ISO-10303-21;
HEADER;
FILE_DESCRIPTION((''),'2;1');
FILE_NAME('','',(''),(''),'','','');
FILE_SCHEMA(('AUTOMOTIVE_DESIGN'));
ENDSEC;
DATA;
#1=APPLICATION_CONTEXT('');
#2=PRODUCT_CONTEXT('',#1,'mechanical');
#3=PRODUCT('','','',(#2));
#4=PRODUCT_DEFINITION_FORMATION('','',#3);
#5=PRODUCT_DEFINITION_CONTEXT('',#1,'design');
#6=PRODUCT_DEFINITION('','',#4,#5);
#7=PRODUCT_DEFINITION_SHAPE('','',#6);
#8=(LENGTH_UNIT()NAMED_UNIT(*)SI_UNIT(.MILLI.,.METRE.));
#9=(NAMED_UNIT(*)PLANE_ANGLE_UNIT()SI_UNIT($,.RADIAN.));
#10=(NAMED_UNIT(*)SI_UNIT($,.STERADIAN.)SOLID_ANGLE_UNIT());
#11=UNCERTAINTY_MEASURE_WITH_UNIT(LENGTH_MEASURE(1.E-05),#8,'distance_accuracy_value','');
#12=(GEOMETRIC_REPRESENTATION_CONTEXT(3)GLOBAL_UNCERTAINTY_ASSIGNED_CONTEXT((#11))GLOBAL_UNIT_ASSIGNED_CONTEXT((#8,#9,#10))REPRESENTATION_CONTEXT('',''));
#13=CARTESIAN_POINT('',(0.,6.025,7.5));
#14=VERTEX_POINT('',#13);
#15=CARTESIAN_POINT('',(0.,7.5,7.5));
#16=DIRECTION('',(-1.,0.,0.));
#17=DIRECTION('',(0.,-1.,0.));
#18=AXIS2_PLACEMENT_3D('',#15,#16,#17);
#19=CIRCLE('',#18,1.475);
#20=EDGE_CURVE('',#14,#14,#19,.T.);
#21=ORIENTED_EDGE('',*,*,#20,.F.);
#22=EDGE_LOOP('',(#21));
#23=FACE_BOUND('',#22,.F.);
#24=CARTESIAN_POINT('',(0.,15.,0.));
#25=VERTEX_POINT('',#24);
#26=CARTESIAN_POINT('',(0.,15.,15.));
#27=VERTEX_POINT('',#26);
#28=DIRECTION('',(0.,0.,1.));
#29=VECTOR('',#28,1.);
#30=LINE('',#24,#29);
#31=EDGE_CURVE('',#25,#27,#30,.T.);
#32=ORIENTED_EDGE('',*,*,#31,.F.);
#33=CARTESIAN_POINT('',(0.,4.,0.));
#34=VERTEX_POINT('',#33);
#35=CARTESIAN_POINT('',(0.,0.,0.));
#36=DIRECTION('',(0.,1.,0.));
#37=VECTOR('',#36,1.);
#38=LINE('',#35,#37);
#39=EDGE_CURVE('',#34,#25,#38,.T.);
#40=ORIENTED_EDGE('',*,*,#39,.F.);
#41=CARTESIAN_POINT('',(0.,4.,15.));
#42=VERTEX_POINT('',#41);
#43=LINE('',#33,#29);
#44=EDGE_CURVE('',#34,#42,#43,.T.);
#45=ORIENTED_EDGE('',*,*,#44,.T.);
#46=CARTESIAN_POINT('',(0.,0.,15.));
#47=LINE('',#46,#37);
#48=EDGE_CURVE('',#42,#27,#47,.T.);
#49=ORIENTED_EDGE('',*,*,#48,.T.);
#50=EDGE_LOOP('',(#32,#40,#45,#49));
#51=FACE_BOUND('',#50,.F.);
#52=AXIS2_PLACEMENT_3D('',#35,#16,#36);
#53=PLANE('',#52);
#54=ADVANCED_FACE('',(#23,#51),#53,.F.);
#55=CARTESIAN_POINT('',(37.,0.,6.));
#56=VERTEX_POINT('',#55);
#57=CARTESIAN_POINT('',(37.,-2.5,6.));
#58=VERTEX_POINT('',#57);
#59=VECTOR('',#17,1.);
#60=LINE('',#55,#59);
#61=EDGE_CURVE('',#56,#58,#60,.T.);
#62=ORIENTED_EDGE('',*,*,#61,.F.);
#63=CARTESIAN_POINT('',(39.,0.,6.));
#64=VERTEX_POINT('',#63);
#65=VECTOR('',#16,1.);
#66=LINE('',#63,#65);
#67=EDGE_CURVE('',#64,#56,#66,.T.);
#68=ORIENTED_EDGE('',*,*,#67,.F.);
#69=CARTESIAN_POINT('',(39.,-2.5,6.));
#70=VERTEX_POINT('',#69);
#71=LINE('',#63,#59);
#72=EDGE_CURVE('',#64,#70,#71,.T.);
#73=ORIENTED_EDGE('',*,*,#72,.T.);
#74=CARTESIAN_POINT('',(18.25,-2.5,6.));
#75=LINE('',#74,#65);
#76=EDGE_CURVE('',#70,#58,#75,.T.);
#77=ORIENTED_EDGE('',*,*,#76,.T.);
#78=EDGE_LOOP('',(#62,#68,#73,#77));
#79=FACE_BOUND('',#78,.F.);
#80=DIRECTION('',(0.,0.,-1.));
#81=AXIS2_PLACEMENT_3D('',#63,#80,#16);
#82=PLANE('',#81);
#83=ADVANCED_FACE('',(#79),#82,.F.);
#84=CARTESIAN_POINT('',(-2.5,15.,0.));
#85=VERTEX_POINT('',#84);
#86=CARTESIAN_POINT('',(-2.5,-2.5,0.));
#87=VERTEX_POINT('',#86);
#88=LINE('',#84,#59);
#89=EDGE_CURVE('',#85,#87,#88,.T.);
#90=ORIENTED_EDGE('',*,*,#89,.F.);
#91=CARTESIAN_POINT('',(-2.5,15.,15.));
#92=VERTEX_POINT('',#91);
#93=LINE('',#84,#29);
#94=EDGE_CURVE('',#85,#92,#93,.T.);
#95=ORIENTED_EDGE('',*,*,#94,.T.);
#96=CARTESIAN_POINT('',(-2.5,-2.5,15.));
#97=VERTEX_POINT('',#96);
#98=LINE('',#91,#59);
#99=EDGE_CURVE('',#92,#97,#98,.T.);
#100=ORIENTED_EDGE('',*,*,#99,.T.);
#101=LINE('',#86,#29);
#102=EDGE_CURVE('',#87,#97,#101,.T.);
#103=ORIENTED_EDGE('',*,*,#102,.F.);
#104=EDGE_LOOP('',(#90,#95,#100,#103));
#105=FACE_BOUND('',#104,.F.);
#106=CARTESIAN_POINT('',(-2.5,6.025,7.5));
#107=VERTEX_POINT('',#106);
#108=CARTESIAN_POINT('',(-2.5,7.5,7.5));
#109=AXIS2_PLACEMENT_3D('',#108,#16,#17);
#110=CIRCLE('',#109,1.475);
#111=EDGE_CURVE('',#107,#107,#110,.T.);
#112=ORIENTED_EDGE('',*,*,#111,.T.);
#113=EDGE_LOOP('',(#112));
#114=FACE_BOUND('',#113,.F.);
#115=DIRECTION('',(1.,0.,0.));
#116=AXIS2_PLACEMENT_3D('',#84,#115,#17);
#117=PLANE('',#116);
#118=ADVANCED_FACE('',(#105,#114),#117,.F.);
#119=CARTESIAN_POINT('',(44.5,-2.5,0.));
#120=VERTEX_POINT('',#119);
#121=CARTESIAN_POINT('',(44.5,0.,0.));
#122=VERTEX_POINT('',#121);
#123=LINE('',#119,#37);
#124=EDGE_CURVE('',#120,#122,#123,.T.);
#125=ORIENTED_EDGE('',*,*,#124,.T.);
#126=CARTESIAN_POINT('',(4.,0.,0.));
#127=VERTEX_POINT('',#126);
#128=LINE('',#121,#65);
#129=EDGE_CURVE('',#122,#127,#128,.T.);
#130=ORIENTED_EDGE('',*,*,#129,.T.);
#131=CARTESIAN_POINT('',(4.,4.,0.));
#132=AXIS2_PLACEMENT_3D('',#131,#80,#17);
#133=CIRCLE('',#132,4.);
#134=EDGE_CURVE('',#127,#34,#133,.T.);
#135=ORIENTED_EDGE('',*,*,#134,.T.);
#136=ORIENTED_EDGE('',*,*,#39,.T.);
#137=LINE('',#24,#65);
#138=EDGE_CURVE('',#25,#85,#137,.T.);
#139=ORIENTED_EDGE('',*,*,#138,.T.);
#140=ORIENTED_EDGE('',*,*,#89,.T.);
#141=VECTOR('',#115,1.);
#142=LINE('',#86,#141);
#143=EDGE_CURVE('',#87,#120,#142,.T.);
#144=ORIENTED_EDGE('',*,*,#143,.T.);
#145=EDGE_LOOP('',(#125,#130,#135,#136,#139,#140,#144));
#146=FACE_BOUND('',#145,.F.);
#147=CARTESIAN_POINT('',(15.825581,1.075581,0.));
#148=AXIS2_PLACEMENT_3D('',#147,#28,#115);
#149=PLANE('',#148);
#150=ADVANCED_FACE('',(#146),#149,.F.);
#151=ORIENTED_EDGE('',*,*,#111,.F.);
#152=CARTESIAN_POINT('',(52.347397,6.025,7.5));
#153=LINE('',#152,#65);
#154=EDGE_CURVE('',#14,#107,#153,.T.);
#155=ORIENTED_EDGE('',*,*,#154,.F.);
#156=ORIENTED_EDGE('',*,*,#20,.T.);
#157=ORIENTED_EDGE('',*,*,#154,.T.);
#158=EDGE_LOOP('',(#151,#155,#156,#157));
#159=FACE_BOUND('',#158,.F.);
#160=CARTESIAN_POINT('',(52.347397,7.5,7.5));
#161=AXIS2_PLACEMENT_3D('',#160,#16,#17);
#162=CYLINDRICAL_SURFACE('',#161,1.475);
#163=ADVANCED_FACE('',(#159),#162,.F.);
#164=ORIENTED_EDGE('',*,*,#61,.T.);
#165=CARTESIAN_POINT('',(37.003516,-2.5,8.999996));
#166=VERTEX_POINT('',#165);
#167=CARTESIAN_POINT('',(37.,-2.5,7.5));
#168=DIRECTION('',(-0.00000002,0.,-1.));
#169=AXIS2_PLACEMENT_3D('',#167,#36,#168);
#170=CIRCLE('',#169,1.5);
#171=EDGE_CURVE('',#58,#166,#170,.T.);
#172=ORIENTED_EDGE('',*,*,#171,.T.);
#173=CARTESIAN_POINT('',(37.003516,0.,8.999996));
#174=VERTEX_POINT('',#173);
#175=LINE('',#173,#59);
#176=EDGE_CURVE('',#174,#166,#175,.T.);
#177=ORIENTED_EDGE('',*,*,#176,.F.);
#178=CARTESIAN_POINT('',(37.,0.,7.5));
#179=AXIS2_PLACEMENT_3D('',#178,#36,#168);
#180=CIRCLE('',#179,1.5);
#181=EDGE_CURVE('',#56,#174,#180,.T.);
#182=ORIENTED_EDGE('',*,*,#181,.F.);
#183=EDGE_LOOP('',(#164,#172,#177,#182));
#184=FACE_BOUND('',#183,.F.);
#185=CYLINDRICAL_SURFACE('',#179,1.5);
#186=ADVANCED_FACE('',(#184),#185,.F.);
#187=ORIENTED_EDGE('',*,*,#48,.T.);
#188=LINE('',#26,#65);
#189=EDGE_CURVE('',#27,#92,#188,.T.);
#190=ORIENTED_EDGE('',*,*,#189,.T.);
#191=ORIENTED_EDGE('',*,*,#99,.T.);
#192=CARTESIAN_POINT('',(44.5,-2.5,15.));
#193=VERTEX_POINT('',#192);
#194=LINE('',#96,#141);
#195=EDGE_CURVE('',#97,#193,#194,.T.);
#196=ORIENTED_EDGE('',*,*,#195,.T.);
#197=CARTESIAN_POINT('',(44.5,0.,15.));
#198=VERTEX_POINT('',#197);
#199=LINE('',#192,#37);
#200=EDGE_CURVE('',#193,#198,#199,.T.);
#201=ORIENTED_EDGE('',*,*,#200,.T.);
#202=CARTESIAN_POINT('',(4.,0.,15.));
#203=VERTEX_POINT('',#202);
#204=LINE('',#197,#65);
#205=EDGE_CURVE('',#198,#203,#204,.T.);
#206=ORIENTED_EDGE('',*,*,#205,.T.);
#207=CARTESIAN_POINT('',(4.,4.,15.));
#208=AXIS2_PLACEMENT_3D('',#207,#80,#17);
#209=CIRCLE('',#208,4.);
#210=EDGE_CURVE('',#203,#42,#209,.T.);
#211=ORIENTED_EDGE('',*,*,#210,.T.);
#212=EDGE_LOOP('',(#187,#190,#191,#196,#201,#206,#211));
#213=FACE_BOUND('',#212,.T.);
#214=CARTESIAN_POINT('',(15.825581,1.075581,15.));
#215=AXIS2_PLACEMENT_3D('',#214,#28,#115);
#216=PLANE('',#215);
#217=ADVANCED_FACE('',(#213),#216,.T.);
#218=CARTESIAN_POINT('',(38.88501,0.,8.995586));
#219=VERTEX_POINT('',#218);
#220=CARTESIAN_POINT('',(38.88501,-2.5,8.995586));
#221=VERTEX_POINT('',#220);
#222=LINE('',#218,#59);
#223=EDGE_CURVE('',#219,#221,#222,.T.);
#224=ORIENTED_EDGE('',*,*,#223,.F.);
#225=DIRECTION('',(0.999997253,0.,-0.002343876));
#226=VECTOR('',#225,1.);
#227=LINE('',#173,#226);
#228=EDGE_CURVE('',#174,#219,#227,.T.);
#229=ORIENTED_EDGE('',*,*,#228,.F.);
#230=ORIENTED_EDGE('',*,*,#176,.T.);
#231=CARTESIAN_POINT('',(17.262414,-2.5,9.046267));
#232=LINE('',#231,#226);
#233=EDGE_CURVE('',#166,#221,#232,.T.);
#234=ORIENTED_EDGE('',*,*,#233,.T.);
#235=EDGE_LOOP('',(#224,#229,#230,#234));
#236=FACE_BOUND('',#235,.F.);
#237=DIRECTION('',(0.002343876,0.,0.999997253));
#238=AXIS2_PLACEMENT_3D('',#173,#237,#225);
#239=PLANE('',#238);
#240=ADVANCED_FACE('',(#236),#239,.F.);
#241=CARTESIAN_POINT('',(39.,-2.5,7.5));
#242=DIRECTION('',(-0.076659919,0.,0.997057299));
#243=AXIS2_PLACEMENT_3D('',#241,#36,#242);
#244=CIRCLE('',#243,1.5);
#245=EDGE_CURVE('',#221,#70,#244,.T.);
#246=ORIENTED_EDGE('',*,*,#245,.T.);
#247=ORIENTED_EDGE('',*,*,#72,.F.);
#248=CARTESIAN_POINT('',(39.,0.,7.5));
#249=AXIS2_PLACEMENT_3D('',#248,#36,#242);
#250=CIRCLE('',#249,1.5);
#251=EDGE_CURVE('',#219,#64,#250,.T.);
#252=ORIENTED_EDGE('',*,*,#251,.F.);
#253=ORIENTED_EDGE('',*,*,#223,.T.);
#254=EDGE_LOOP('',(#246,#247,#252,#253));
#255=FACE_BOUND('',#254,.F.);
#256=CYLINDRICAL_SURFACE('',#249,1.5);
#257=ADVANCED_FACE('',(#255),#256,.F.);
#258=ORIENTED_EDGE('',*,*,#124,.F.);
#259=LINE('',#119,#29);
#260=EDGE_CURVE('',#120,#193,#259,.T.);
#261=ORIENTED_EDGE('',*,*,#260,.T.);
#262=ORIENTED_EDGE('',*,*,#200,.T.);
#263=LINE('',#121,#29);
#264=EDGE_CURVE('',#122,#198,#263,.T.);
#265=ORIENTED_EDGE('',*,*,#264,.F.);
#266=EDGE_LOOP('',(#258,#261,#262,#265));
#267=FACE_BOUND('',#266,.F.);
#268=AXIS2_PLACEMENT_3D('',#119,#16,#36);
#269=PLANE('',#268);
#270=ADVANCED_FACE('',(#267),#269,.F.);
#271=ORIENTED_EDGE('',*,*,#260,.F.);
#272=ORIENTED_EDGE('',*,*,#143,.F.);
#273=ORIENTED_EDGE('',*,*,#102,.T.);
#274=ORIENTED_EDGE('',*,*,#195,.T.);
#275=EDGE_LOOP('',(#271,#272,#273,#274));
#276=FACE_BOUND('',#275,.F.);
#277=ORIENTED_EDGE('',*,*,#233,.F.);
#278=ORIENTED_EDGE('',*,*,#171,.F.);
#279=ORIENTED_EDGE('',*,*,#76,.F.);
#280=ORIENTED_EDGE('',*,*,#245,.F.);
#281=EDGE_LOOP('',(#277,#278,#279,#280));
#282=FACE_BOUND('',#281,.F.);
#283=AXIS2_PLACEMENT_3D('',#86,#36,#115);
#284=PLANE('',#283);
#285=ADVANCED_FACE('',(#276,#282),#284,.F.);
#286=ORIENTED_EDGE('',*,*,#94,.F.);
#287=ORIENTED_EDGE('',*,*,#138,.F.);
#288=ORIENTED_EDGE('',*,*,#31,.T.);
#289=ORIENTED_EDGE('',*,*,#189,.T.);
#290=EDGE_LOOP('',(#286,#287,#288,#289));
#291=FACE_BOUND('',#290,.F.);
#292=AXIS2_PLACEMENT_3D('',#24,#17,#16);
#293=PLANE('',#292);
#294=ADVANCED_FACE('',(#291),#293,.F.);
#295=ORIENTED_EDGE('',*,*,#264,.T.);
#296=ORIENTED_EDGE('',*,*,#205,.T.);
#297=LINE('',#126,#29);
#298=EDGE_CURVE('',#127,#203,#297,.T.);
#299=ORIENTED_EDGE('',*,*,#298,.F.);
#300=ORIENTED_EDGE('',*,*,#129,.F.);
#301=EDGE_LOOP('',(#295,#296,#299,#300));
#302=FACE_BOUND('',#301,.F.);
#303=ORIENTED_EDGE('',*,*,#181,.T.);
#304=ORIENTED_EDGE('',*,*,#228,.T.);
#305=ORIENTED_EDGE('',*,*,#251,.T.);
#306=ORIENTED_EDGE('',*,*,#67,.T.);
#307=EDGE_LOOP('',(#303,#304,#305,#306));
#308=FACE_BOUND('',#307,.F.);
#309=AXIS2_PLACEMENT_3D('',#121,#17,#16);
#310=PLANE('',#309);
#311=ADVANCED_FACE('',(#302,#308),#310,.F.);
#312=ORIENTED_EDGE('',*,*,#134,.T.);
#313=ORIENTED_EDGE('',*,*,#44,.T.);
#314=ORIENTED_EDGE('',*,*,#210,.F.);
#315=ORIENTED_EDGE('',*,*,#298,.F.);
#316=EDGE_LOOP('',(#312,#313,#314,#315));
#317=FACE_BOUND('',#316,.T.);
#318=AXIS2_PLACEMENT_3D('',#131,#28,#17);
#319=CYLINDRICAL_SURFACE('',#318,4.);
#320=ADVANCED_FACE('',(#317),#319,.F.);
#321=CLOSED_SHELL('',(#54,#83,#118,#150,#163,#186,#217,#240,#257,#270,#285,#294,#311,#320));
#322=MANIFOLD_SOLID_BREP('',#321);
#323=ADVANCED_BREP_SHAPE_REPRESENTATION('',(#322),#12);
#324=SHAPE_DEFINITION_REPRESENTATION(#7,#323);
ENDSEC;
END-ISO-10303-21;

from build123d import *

# Parameters (mm, degrees)
F1_DEPTH = 15
F3_D     = 2.95
F4_R     = 4
F6_DEPTH = 25


with BuildPart() as f1:
    # F0 (on Top) → F1 (new body)
    with BuildSketch(Plane.XY):
        Polygon((44.5, 0), (0, 0), (0, 15), (-2.5, 15), (-2.5, -2.5), (44.5, -2.5), align=None)
    extrude(amount=F1_DEPTH)

    # F3 (through all)
    with Locations(Plane.YZ):
        with Locations((7.5, 7.5)):
            Hole(F3_D / 2)

    # F4
    f4_edges = [f1.edges().sort_by_distance(p)[0] for p in [
        (0, 0, 7.5),
    ]]
    fillet(f4_edges, radius=F4_R)

    # F5 (on face) → F6 (cut)
    with BuildSketch(Plane(origin=(0, 0, 0), x_dir=(-1, 0, 0), z_dir=(0, 1, 0))):
        with BuildLine():
            Line((-39, 6), (-37, 6))
            ThreePointArc((-37, 6), (-35.500001, 7.501758), (-37.003516, 8.999996))
            Line((-37.003516, 8.999996), (-38.88501, 8.995586))
            ThreePointArc((-38.88501, 8.995586), (-40.498896, 7.557537), (-39, 6))
        make_face()
    extrude(amount=-F6_DEPTH, mode=Mode.SUBTRACT)


solid = f1.part
